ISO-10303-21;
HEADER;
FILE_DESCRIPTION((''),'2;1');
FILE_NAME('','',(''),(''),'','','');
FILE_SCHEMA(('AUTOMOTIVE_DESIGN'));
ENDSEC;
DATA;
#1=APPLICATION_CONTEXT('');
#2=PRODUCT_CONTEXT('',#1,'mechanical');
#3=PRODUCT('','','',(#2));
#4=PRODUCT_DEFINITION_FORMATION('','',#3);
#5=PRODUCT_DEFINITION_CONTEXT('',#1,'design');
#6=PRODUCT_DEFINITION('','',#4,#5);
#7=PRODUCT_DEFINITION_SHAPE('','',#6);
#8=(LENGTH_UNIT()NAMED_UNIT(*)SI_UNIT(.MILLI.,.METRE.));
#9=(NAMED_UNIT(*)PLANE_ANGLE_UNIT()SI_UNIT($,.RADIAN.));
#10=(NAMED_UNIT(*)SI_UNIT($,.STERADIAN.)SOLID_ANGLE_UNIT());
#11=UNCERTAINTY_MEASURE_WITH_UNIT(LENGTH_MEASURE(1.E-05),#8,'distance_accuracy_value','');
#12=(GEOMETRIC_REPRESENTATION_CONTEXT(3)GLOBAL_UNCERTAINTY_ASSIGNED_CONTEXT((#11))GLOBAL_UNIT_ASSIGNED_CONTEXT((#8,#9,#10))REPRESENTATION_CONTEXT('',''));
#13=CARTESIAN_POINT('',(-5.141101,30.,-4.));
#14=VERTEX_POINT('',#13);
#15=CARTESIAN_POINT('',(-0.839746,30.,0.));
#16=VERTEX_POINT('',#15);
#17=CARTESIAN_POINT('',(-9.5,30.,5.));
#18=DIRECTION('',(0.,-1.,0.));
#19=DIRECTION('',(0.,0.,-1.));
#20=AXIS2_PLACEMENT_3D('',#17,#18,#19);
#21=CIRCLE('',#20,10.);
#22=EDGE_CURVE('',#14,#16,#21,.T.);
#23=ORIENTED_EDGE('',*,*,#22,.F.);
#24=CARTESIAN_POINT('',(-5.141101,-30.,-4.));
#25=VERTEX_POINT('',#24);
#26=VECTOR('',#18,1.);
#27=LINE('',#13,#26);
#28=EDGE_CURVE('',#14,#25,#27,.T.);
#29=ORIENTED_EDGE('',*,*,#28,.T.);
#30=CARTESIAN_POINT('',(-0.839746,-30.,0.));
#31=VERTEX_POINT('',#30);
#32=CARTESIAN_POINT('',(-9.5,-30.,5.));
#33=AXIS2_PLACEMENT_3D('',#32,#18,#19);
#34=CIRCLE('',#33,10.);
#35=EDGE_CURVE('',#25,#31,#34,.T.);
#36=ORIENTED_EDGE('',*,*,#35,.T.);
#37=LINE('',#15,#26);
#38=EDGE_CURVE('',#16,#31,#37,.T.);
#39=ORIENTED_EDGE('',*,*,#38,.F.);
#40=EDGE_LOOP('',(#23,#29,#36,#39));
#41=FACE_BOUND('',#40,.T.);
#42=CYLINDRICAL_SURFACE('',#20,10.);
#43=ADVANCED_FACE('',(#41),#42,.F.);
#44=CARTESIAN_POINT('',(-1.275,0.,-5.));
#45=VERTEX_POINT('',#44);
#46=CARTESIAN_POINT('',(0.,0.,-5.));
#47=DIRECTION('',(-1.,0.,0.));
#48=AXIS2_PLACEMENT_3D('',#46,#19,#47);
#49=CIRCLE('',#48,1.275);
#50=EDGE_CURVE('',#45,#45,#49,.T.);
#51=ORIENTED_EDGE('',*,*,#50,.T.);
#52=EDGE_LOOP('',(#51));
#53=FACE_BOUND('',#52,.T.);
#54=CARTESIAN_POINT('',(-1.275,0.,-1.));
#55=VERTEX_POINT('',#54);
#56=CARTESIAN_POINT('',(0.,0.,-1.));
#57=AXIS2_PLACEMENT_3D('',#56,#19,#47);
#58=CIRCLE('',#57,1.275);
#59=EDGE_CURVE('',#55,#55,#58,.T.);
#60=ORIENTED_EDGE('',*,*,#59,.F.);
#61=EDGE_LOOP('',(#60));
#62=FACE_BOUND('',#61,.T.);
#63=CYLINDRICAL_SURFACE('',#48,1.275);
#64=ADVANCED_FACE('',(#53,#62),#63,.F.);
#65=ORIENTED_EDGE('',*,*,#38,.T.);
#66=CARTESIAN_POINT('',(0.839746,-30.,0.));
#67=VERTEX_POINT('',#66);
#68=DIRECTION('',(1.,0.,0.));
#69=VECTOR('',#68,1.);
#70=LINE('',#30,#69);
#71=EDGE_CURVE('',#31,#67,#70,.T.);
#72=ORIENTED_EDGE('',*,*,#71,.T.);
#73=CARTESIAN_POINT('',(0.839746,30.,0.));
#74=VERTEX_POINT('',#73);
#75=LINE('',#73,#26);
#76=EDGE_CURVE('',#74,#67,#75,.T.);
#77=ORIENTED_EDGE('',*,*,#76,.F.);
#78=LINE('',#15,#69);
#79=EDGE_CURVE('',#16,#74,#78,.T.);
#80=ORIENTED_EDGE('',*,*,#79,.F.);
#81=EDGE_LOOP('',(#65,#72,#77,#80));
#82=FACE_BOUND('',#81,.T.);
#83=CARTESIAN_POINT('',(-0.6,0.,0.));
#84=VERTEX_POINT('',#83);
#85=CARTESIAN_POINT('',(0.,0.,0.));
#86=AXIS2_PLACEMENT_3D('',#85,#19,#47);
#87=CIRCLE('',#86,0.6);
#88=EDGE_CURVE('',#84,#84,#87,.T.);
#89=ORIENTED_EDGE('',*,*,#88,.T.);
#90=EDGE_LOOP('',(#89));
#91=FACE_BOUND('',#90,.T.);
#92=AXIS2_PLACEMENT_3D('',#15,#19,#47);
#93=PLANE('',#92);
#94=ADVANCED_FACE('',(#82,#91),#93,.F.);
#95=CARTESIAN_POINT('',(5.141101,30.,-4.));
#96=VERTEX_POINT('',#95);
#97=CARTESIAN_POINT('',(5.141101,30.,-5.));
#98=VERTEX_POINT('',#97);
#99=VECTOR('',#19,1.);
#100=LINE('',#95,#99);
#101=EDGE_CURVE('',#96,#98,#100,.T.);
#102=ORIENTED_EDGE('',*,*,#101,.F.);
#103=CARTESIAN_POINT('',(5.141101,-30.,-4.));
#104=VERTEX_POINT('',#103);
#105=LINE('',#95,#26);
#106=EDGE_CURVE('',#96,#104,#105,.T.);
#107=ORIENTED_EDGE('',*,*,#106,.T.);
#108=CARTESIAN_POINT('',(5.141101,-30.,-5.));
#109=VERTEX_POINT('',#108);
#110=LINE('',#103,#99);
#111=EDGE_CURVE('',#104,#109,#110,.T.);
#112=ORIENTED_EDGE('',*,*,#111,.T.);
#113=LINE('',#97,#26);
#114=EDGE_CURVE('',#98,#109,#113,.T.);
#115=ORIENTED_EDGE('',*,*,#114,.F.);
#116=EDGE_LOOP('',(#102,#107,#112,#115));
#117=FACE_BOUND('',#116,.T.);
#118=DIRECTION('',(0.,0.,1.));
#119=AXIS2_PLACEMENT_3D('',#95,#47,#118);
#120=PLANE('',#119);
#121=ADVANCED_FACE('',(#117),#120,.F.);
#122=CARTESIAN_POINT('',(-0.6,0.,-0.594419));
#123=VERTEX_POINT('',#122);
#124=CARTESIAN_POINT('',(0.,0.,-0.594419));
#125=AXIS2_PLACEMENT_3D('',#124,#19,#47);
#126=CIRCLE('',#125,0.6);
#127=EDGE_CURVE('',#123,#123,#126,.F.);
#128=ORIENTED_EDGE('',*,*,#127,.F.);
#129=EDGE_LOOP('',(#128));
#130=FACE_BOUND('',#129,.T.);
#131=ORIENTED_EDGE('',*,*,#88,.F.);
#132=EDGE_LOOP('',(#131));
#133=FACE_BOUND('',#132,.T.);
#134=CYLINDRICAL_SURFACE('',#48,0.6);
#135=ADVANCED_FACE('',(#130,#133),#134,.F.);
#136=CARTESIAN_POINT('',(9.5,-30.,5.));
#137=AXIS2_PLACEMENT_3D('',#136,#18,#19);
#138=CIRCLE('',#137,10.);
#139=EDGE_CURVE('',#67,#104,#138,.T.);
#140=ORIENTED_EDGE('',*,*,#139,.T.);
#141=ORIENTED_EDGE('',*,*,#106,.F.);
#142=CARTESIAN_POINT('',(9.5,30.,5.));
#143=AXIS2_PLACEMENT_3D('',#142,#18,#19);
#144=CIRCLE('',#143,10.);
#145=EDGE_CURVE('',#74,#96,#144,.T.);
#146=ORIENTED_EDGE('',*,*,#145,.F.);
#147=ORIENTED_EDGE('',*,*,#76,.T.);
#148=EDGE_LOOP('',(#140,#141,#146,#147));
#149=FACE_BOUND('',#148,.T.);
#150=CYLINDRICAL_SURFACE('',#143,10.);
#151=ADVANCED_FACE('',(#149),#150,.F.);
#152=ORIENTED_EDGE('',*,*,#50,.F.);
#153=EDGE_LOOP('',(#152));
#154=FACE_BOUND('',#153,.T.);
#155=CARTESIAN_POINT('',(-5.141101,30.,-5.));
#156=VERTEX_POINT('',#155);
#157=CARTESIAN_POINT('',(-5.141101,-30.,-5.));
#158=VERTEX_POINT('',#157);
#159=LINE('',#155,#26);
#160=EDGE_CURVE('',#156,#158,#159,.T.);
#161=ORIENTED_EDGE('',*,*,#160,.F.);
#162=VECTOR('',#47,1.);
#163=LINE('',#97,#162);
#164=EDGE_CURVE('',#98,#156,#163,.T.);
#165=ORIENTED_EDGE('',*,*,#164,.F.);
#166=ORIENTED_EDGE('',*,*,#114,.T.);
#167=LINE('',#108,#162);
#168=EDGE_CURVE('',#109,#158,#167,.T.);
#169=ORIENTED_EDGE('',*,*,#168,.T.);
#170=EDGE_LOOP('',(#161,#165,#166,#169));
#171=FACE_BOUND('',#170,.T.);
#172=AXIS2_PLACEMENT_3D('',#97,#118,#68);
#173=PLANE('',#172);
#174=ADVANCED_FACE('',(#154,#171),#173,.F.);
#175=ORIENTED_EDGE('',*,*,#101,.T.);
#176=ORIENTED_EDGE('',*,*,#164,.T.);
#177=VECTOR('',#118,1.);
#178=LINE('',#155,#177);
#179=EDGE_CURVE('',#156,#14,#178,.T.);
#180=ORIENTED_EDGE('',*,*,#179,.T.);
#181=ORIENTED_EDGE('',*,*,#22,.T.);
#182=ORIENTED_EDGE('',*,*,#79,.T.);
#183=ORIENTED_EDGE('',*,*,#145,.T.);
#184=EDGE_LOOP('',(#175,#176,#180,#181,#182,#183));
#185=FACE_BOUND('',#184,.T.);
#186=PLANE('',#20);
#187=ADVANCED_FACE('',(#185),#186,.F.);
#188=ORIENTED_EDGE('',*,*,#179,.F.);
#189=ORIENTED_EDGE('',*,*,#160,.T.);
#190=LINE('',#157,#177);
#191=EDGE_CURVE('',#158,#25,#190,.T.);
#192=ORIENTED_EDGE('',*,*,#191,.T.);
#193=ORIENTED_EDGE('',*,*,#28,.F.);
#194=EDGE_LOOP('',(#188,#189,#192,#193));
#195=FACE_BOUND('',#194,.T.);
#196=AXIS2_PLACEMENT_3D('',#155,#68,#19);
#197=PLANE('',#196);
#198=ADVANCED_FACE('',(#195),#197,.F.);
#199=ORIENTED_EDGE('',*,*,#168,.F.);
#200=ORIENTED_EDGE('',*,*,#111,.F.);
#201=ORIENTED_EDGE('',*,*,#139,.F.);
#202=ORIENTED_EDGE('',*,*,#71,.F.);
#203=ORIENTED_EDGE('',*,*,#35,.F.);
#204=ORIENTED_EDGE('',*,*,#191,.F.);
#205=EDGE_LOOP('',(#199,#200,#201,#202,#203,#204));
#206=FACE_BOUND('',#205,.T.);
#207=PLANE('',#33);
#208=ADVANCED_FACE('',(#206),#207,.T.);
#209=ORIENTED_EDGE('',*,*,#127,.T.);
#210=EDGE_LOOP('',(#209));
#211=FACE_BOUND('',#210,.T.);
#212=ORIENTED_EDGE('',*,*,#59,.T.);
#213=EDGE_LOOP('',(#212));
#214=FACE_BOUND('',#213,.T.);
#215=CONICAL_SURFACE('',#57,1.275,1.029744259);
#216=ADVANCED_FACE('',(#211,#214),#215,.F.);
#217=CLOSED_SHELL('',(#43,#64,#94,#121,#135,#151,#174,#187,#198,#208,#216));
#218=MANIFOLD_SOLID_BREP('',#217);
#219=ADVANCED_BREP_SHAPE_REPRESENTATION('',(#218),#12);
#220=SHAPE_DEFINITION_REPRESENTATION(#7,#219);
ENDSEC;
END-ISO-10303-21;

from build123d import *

# Parameters (mm, degrees)
BOSS_EXTRUDE1_DEPTH                       = 30
TAPPED_HOLE_FOR_M2_5X0_45_HELICOIL1_D     = 2.55
TAPPED_HOLE_FOR_M2_5X0_45_HELICOIL1_DEPTH = 4
TAPPED_HOLE_FOR_M2_5X0_45_HELICOIL1_TIP   = 0.766097289
F_1_2_1_2_DIAMETER_HOLE1_D                = 1.2
F_1_2_1_2_DIAMETER_HOLE1_DEPTH            = 6.45
F_1_2_1_2_DIAMETER_HOLE1_TIP              = 0.360516371


with BuildPart() as part:
    # Sketch1 → Boss-Extrude1 (new, symmetric)
    with BuildSketch(Plane(origin=(0, 0, 0), x_dir=(1, 0, 0), z_dir=(0, 1, 0))):
        with BuildLine():
            Line((-0.839745962, 0), (0.839745962, 0))
            ThreePointArc((0.839745962, 0), (2.690111154, 2.322937519), (5.141101056, 4))
            Line((5.141101056, 4), (5.141101056, 5))
            Line((5.141101056, 5), (-5.141101056, 5))
            Line((-5.141101056, 5), (-5.141101056, 4))
            ThreePointArc((-5.141101056, 4), (-2.690111154, 2.322937519), (-0.839745962, 0))
        make_face()
    extrude(amount=BOSS_EXTRUDE1_DEPTH, both=True)

    # Tapped Hole for M2.5x0.45 Helicoil1
    with Locations(Plane(origin=(0, 0, -5), x_dir=(-1, 0, 0), z_dir=(0, 0, -1))):
        with Locations((0, 0)):
            Hole(TAPPED_HOLE_FOR_M2_5X0_45_HELICOIL1_D / 2, depth=TAPPED_HOLE_FOR_M2_5X0_45_HELICOIL1_DEPTH)
            with Locations((0, 0, -(TAPPED_HOLE_FOR_M2_5X0_45_HELICOIL1_DEPTH + TAPPED_HOLE_FOR_M2_5X0_45_HELICOIL1_TIP / 2))):  # 118° drill point
                Cone(0, TAPPED_HOLE_FOR_M2_5X0_45_HELICOIL1_D / 2, TAPPED_HOLE_FOR_M2_5X0_45_HELICOIL1_TIP, mode=Mode.SUBTRACT)

    # Ø1.2 (1.2) Diameter Hole1
    with Locations(Plane(origin=(0, 0, -5), x_dir=(-1, 0, 0), z_dir=(0, 0, -1))):
        with Locations((0, 0)):
            Hole(F_1_2_1_2_DIAMETER_HOLE1_D / 2, depth=F_1_2_1_2_DIAMETER_HOLE1_DEPTH)
            with Locations((0, 0, -(F_1_2_1_2_DIAMETER_HOLE1_DEPTH + F_1_2_1_2_DIAMETER_HOLE1_TIP / 2))):  # 118° drill point
                Cone(0, F_1_2_1_2_DIAMETER_HOLE1_D / 2, F_1_2_1_2_DIAMETER_HOLE1_TIP, mode=Mode.SUBTRACT)


solid = part.part
